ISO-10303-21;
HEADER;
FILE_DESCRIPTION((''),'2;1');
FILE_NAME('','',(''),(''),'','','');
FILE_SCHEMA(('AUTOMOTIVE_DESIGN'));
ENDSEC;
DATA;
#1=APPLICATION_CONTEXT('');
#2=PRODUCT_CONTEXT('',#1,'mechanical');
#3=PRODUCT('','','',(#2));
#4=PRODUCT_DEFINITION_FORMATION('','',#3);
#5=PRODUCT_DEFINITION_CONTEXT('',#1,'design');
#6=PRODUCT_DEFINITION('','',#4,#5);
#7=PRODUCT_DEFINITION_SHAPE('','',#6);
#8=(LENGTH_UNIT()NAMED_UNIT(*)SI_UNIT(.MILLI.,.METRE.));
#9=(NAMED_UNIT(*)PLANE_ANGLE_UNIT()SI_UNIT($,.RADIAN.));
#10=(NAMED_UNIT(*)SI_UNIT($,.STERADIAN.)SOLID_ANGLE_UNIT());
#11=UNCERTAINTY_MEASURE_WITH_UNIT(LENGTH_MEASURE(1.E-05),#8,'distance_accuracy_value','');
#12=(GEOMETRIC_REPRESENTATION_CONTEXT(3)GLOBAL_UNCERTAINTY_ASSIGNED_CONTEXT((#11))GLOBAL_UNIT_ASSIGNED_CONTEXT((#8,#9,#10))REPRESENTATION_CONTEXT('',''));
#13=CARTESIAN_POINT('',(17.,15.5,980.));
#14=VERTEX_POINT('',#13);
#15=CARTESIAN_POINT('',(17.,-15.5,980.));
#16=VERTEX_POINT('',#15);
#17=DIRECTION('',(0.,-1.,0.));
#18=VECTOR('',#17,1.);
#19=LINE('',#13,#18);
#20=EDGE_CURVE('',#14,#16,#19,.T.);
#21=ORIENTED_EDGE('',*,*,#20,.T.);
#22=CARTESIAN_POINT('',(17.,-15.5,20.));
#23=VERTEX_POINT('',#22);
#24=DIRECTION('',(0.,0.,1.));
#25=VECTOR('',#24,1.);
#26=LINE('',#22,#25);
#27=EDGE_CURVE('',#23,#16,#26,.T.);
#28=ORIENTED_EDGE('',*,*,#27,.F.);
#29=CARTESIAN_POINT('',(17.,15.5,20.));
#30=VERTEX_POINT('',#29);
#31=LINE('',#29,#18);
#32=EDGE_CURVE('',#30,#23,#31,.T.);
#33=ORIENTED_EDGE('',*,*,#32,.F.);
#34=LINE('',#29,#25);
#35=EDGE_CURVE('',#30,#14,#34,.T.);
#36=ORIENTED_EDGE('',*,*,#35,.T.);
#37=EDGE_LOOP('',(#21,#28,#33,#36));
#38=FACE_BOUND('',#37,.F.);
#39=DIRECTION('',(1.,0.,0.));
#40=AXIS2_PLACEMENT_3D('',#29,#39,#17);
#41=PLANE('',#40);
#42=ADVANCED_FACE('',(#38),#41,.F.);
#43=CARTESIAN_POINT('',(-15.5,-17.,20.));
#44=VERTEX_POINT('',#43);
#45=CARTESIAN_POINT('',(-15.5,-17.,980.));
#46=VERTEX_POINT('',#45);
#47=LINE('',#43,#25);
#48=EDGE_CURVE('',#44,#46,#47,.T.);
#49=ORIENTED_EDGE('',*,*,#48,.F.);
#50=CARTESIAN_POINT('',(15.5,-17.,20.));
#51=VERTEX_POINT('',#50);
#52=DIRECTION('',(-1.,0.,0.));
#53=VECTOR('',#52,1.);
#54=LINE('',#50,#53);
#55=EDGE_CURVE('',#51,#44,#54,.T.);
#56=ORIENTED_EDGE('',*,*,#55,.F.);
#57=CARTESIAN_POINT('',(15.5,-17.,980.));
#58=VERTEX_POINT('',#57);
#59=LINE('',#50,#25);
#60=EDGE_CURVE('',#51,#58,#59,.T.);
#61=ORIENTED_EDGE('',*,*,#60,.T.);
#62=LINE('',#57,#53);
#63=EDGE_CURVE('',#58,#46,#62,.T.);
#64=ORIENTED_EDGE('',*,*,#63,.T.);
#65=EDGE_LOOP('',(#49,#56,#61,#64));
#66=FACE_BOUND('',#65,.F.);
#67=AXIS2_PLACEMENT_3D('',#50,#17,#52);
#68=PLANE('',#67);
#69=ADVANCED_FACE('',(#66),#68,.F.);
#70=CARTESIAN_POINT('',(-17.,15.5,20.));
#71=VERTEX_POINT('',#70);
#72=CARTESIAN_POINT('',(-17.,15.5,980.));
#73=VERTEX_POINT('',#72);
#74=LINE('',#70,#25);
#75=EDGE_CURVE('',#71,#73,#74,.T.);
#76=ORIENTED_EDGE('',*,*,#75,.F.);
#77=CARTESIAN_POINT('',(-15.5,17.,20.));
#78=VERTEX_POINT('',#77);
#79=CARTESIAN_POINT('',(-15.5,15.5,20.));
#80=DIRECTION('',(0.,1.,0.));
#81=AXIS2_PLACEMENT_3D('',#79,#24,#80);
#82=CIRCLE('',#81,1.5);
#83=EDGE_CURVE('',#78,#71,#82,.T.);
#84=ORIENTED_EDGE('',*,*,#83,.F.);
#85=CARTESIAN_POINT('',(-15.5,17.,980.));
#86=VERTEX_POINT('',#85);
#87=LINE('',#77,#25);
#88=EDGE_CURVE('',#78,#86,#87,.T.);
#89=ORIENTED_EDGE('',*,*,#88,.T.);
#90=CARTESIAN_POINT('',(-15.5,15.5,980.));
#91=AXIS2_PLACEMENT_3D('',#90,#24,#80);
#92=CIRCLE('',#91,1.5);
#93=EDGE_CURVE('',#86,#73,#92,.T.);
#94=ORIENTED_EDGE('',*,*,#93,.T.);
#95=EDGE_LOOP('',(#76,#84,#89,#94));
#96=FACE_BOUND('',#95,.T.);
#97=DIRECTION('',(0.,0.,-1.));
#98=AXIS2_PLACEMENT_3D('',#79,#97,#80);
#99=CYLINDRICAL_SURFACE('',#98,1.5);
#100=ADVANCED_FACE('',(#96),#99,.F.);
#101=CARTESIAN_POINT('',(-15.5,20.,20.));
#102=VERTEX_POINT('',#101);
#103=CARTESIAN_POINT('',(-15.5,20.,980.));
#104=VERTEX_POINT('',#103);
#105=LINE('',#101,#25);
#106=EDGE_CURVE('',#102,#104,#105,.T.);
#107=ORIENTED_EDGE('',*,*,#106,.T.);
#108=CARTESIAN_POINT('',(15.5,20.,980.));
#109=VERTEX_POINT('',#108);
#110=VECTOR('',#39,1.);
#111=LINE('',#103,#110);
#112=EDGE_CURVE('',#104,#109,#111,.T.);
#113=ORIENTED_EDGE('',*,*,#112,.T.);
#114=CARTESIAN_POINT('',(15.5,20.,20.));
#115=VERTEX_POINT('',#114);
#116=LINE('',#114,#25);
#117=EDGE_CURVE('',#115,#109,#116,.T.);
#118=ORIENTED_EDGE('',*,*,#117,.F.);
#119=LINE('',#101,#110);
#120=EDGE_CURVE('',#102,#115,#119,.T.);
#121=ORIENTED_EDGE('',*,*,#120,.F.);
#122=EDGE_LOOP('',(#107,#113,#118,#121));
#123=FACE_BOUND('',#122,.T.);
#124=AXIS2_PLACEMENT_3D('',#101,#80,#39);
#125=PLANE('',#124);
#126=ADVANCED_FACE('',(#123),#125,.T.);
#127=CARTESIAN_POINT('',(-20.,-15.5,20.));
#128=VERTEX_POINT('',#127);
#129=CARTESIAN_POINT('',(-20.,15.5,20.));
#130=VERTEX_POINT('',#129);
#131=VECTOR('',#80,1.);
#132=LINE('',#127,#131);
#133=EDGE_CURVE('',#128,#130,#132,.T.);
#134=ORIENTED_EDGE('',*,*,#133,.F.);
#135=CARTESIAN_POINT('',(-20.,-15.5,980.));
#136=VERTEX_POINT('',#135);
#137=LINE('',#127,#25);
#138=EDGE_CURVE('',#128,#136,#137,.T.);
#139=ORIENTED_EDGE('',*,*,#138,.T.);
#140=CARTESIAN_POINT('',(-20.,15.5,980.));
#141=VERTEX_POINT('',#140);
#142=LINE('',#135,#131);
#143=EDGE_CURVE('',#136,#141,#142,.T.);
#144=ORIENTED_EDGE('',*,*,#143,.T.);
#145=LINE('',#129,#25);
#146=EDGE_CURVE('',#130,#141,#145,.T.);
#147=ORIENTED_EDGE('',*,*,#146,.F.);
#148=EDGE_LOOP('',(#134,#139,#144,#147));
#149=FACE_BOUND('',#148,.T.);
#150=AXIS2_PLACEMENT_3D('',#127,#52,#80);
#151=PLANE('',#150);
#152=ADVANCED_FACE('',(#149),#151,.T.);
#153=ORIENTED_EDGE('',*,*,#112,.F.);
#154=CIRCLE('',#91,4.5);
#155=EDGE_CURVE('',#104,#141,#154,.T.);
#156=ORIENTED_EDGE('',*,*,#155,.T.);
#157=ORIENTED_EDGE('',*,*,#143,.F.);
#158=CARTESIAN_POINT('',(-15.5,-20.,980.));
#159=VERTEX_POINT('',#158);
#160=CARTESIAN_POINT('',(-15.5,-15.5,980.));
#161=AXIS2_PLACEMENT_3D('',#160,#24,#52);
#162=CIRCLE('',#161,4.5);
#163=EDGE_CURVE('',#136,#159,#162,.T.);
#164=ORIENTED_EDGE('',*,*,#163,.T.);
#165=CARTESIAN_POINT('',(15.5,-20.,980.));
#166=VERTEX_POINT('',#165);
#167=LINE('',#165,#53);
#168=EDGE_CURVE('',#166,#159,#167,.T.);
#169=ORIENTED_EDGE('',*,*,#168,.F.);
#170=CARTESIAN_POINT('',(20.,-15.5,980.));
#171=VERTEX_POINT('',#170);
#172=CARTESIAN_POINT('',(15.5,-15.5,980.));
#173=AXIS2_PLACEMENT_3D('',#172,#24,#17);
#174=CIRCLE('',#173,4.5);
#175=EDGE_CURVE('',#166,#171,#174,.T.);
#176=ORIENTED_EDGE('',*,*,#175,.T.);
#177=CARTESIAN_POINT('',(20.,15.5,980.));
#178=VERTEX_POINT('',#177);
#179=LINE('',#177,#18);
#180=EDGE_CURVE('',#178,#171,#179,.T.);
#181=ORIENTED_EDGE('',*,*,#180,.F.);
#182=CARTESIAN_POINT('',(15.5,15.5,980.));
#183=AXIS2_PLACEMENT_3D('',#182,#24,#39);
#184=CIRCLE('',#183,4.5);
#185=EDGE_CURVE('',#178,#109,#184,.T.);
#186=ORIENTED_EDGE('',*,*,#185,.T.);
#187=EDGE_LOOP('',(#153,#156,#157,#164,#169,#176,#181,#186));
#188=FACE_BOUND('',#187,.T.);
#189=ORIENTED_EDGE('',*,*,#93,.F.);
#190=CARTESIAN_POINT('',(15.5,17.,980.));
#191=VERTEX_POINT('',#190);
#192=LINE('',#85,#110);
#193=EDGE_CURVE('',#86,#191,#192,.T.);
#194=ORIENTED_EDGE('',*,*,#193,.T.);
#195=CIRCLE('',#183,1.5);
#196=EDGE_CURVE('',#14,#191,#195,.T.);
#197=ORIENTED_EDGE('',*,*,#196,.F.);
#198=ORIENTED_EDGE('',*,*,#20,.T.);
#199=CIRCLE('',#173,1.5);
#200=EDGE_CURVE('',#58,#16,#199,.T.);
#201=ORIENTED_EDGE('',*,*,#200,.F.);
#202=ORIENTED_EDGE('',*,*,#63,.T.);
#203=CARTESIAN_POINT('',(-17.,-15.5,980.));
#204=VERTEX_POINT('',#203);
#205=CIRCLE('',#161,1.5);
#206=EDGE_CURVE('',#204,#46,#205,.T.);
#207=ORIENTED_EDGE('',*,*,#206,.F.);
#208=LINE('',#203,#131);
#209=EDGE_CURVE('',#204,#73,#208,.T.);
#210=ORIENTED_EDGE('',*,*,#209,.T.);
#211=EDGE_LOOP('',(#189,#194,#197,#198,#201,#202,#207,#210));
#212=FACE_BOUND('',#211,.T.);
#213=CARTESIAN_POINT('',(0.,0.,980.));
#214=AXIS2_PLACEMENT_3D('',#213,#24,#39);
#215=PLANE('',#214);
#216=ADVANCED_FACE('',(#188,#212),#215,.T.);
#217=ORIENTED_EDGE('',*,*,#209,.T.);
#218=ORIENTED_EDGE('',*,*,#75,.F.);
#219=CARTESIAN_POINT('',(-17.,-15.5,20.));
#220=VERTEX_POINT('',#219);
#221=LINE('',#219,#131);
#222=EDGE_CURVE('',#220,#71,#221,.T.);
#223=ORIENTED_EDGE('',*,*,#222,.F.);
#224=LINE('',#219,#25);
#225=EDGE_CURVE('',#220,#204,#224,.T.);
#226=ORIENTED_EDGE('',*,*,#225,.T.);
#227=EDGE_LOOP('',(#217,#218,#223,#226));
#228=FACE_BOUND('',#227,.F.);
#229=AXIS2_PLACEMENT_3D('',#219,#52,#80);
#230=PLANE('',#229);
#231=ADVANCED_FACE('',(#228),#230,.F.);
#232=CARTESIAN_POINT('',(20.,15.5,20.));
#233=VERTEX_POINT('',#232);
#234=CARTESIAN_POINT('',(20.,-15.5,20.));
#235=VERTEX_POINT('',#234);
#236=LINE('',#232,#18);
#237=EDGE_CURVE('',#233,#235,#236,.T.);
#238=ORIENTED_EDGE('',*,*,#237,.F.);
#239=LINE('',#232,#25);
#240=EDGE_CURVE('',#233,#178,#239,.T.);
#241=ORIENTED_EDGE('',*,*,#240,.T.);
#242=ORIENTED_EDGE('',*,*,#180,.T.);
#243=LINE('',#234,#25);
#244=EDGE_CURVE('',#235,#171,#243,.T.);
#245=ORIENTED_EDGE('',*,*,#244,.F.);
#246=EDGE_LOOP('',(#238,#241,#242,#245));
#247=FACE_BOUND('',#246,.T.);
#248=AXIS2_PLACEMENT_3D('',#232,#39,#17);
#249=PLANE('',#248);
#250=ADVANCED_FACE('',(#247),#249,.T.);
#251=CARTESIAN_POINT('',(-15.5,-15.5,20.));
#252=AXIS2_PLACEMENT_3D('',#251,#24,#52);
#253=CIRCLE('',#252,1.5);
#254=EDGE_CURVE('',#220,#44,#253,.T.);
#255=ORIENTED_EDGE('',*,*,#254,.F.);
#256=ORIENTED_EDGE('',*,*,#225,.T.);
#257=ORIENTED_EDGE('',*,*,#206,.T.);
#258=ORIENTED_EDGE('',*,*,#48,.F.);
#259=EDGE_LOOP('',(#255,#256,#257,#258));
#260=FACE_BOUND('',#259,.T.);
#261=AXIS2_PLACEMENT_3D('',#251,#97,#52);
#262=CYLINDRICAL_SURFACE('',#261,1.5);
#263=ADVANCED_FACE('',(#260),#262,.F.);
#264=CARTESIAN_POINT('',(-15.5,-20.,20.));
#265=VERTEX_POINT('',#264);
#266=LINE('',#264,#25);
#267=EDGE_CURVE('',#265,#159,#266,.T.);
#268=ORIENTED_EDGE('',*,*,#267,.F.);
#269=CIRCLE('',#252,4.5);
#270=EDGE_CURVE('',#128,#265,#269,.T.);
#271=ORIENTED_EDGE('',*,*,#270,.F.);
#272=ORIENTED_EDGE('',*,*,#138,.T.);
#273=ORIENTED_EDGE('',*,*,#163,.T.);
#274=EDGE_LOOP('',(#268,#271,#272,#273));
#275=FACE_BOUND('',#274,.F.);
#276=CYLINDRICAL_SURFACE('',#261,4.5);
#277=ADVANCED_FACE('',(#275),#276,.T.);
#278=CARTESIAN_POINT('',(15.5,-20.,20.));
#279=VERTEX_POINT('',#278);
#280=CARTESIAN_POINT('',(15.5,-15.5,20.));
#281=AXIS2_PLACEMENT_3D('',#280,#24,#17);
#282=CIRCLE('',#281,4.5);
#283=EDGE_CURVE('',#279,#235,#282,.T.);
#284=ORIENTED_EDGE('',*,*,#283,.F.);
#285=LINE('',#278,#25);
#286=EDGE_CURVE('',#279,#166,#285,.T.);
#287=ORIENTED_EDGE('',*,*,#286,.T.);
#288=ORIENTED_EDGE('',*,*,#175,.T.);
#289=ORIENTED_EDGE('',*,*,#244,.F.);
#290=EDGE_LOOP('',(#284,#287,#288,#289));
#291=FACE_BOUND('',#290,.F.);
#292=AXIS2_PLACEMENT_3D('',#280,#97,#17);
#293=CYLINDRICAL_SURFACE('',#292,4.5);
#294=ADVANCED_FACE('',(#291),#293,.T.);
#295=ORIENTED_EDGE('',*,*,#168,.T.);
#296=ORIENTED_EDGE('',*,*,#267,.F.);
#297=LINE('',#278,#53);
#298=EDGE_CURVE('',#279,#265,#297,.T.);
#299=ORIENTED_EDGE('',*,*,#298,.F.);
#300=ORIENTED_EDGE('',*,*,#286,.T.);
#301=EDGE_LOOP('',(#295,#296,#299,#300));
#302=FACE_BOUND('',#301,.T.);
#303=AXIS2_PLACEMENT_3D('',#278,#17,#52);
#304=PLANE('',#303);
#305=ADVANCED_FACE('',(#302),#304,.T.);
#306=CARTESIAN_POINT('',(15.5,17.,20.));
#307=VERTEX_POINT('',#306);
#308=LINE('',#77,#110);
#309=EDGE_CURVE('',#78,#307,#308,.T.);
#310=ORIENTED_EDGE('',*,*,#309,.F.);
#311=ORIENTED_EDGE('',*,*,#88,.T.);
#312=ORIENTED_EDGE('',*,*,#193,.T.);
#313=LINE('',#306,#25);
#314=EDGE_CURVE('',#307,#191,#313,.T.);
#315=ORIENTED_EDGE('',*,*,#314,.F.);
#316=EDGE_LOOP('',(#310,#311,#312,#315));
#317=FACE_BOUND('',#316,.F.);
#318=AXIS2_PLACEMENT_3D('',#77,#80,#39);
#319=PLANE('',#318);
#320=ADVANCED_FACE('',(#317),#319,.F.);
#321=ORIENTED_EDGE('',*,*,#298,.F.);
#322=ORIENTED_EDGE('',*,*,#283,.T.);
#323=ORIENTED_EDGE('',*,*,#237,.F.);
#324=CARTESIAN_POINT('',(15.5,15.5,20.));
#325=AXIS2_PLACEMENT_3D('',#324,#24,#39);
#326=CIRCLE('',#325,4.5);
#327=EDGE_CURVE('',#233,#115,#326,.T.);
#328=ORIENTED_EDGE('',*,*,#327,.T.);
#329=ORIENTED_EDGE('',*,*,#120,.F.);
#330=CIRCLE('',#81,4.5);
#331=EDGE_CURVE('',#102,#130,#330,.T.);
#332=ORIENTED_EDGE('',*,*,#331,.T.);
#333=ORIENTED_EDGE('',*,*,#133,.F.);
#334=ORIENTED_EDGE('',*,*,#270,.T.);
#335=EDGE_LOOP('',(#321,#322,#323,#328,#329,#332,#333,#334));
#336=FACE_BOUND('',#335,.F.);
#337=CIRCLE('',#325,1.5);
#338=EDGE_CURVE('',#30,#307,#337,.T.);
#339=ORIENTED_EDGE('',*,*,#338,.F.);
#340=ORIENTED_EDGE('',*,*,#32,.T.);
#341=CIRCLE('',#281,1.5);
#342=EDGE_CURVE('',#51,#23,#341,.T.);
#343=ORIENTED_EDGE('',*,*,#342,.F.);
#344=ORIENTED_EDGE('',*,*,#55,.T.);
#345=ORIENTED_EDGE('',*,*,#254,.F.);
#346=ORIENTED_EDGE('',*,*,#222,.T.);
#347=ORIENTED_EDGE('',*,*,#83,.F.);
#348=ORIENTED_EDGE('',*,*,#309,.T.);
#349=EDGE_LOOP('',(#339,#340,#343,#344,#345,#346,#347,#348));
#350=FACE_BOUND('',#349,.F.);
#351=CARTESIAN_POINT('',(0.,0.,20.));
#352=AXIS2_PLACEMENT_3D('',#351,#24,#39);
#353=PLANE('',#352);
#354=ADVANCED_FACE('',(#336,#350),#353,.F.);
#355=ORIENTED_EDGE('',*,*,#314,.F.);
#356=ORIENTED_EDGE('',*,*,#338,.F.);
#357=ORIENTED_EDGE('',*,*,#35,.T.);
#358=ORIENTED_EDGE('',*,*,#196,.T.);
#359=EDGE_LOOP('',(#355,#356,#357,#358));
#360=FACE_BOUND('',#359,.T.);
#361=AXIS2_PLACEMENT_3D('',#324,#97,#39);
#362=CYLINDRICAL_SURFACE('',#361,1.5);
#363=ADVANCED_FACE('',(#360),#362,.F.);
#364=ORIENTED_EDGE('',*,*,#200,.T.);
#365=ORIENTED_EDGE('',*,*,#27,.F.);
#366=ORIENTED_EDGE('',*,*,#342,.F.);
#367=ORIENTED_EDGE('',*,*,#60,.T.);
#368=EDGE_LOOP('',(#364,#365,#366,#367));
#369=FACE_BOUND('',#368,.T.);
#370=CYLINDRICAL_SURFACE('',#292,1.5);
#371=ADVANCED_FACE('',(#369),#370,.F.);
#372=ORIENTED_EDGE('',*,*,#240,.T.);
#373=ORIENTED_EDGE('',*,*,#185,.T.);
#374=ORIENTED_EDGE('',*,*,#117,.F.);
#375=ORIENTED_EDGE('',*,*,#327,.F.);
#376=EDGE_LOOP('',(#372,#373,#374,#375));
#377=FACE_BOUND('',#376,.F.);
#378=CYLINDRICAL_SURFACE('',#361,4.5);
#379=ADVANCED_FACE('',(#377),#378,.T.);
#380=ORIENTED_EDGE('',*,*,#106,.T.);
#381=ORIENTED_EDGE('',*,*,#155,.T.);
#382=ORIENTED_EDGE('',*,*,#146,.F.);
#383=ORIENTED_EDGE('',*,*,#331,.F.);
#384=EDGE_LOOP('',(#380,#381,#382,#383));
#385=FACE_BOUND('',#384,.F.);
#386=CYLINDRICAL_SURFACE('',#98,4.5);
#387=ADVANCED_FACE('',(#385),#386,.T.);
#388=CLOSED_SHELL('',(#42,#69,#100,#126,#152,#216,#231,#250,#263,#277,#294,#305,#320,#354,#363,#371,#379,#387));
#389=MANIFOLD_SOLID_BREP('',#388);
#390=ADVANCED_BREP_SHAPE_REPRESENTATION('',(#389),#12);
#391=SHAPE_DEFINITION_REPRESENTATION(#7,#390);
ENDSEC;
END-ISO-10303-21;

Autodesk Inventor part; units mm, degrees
ref_plane "Start Plane" through (0, 0, 20) normal (0, 0, 1) x (1, 0, 0)
ref_plane "End Plane" through (0, 0, 980) normal (0, 0, 1) x (1, 0, 0)
sketch "Sketch" plane through (0, 0, 0) normal (0, 0, 1) x (1, 0, 0)
  line L0 (-20, -15.5) -> (-20, 15.5)
  line L1 (-15.5, 20) -> (15.5, 20)
  line L2 (20, 15.5) -> (20, -15.5)
  line L3 (15.5, -20) -> (-15.5, -20)
  arc A0 (-20, -15.5) -> (-15.5, -20) centre (-15.5, -15.5) ccw
  arc A1 (-15.5, 20) -> (-20, 15.5) centre (-15.5, 15.5) ccw
  arc A2 (20, 15.5) -> (15.5, 20) centre (15.5, 15.5) ccw
  arc A3 (15.5, -20) -> (20, -15.5) centre (15.5, -15.5) ccw
  arc A4 (-15.5, 17) -> (-17, 15.5) centre (-15.5, 15.5) ccw
  line L4 (-15.5, 17) -> (15.5, 17)
  arc A5 (17, 15.5) -> (15.5, 17) centre (15.5, 15.5) ccw
  line L5 (17, 15.5) -> (17, -15.5)
  arc A6 (15.5, -17) -> (17, -15.5) centre (15.5, -15.5) ccw
  line L6 (15.5, -17) -> (-15.5, -17)
  arc A7 (-17, -15.5) -> (-15.5, -17) centre (-15.5, -15.5) ccw
  line L7 (-17, -15.5) -> (-17, 15.5)
  line L8 (0, 29.3048) -> (0, -29.3048) construction
  line L9 (-29.3048, 0) -> (29.3048, 0) construction
  dimension "d7" = 4.5
  dimension "d10" = 40
  dimension "d11" = 40
  dimension "d12" = 3
  dimension "d15" = 20
  dimension "d16" = 20
extrude "Body" add sketch "Sketch" along normal up to surface (960 mm away) from surface at 20
sketch "Sketch3" plane through (0, 0, 0) normal (0, 0, 1) x (1, 0, 0)
  line L0 (0, 0) -> (10, 0)
ref_plane "Work Plane3" through (0, 0, 0) normal (0, -1, 0) x (1, 0, 0)
ref_plane "Work Plane4" through (-320, 15.5, 980) normal (0, 0, 1) x (1, 0, 0)
split "Split1" plane through (-320, 15.5, 980) removes the side toward (0, 0, 1)
ref_plane "Work Plane5" through (-320, -15.5, 20) normal (0, 0, -1) x (-1, 0, 0)
split "Split2" plane through (-320, -15.5, 20) removes the side toward (0, 0, -1)
sketch "Sketch4" plane through (0, 0, 0) normal (0, -1, 0) x (1, 0, 0)
  line L0 (-2, 20) -> (12, 20) projected
  line L1 (-2, 980) -> (12, 980) projected
  dimension "d18" = 960
equation "\"d7\" = G_IR"
equation "\"d10\" = G_H"
equation "\"d11\" = G_W"
equation "\"d12\" = G_T"
equation "\"d15\" = 0.5 * d10"
equation "\"d16\" = 0.5 * d11"
equation "\"d3\" = G_L"
equation "\"G_W\" = 40"
equation "\"G_H\" = 40"
equation "\"G_T\" = 3"
equation "\"G_IR\" = 4.5"
equation "\"G_L\" = d18"
properties part number "ISO 12633-2 - 40x40x3 - 960" material "Steel, Mild"
